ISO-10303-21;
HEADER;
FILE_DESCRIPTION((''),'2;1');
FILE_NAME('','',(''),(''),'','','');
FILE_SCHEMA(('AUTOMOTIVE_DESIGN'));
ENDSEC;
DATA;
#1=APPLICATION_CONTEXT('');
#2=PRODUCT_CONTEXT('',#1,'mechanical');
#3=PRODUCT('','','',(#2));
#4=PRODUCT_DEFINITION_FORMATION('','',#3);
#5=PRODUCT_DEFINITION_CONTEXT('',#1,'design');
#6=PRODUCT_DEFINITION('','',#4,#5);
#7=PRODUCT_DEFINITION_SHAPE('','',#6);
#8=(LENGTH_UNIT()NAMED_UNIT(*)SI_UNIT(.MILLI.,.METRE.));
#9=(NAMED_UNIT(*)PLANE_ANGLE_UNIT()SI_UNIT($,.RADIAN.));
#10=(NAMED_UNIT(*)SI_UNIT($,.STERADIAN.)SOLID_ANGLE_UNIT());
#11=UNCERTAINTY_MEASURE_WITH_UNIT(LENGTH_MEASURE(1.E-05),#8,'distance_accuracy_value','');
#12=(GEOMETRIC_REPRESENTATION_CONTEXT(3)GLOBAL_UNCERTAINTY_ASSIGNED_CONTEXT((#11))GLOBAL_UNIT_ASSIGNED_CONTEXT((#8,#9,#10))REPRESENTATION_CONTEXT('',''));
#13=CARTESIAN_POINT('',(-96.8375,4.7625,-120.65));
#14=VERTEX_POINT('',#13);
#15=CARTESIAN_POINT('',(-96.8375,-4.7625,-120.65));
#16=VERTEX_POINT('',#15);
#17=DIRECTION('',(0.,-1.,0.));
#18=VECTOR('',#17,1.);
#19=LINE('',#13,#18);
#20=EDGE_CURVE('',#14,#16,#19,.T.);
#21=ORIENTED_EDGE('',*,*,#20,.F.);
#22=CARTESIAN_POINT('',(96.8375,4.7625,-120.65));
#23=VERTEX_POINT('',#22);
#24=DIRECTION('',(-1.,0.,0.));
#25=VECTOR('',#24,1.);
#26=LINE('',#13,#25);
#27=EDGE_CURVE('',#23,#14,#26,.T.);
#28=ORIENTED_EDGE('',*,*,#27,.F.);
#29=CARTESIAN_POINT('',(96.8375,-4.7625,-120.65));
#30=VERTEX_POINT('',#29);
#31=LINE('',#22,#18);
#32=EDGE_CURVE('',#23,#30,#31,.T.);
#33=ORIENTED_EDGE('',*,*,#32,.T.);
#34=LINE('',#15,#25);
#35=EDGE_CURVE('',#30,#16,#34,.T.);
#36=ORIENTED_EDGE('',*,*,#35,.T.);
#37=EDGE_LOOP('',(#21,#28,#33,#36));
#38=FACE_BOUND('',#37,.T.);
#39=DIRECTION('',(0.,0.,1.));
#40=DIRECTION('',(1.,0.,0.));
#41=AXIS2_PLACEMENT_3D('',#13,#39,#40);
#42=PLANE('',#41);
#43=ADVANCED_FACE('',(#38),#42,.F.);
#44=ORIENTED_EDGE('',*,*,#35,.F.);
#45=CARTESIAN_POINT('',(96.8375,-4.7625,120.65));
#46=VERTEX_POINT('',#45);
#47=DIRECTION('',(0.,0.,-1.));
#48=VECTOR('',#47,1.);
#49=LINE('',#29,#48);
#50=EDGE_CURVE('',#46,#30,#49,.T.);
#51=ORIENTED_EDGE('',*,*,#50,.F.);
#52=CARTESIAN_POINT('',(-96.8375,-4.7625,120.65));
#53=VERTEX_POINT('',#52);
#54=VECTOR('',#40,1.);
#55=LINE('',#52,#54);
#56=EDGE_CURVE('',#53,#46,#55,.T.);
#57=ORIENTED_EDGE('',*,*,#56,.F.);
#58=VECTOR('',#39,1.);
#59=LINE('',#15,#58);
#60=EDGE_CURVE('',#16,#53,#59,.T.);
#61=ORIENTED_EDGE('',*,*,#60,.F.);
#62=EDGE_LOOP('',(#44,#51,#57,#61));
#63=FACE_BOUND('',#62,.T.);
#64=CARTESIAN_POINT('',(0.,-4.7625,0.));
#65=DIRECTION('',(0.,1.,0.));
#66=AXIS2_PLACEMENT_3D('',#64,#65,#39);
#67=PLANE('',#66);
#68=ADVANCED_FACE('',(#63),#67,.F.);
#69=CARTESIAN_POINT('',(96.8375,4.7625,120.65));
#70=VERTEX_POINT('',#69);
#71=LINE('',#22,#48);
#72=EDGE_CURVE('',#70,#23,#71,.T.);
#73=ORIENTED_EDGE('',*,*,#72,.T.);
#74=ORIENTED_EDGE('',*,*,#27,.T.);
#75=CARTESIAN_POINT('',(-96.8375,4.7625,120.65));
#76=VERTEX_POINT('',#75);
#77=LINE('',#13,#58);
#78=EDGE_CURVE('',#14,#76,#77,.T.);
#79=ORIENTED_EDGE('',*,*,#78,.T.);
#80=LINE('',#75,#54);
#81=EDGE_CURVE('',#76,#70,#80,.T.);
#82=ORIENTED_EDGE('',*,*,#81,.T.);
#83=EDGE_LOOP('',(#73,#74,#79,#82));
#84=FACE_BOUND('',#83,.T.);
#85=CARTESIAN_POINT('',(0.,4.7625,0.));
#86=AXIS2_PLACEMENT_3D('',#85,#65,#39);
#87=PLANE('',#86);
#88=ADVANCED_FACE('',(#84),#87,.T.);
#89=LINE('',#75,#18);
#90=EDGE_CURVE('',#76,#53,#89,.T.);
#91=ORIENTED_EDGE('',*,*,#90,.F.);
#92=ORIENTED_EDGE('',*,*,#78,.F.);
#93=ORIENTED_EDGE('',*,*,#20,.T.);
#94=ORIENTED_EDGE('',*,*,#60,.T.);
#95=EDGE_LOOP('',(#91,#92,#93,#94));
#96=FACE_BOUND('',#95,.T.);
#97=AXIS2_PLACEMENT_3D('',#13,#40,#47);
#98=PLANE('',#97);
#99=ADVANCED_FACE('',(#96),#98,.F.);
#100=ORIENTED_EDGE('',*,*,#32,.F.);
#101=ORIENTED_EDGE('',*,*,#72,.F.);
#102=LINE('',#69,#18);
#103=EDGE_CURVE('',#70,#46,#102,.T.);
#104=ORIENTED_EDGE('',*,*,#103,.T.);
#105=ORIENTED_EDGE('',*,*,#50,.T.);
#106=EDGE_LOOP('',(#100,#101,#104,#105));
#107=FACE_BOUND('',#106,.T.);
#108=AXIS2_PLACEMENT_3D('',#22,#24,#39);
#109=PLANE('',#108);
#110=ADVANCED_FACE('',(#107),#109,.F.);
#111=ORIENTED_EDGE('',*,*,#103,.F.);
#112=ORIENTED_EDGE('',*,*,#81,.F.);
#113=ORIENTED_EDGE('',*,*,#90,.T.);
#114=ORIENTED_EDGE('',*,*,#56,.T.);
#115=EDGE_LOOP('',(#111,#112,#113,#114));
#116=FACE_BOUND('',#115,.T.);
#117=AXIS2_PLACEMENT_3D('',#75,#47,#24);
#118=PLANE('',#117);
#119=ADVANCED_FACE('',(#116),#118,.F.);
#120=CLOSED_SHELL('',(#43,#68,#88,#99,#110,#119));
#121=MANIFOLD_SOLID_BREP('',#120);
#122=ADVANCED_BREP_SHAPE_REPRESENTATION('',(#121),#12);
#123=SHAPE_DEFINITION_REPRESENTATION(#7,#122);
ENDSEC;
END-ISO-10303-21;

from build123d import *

# Parameters (mm, degrees)
SKETCH1_W           = 193.675
SKETCH1_H           = 241.3
BOSS_EXTRUDE1_DEPTH = 4.7625


with BuildPart() as part:
    # Sketch1 → Boss-Extrude1 (new body, symmetric)
    with BuildSketch(Plane(origin=(0, 0, 0), x_dir=(1, 0, 0), z_dir=(0, 1, 0))):
        Rectangle(SKETCH1_W, SKETCH1_H)
    extrude(amount=BOSS_EXTRUDE1_DEPTH, both=True)


solid = part.part
